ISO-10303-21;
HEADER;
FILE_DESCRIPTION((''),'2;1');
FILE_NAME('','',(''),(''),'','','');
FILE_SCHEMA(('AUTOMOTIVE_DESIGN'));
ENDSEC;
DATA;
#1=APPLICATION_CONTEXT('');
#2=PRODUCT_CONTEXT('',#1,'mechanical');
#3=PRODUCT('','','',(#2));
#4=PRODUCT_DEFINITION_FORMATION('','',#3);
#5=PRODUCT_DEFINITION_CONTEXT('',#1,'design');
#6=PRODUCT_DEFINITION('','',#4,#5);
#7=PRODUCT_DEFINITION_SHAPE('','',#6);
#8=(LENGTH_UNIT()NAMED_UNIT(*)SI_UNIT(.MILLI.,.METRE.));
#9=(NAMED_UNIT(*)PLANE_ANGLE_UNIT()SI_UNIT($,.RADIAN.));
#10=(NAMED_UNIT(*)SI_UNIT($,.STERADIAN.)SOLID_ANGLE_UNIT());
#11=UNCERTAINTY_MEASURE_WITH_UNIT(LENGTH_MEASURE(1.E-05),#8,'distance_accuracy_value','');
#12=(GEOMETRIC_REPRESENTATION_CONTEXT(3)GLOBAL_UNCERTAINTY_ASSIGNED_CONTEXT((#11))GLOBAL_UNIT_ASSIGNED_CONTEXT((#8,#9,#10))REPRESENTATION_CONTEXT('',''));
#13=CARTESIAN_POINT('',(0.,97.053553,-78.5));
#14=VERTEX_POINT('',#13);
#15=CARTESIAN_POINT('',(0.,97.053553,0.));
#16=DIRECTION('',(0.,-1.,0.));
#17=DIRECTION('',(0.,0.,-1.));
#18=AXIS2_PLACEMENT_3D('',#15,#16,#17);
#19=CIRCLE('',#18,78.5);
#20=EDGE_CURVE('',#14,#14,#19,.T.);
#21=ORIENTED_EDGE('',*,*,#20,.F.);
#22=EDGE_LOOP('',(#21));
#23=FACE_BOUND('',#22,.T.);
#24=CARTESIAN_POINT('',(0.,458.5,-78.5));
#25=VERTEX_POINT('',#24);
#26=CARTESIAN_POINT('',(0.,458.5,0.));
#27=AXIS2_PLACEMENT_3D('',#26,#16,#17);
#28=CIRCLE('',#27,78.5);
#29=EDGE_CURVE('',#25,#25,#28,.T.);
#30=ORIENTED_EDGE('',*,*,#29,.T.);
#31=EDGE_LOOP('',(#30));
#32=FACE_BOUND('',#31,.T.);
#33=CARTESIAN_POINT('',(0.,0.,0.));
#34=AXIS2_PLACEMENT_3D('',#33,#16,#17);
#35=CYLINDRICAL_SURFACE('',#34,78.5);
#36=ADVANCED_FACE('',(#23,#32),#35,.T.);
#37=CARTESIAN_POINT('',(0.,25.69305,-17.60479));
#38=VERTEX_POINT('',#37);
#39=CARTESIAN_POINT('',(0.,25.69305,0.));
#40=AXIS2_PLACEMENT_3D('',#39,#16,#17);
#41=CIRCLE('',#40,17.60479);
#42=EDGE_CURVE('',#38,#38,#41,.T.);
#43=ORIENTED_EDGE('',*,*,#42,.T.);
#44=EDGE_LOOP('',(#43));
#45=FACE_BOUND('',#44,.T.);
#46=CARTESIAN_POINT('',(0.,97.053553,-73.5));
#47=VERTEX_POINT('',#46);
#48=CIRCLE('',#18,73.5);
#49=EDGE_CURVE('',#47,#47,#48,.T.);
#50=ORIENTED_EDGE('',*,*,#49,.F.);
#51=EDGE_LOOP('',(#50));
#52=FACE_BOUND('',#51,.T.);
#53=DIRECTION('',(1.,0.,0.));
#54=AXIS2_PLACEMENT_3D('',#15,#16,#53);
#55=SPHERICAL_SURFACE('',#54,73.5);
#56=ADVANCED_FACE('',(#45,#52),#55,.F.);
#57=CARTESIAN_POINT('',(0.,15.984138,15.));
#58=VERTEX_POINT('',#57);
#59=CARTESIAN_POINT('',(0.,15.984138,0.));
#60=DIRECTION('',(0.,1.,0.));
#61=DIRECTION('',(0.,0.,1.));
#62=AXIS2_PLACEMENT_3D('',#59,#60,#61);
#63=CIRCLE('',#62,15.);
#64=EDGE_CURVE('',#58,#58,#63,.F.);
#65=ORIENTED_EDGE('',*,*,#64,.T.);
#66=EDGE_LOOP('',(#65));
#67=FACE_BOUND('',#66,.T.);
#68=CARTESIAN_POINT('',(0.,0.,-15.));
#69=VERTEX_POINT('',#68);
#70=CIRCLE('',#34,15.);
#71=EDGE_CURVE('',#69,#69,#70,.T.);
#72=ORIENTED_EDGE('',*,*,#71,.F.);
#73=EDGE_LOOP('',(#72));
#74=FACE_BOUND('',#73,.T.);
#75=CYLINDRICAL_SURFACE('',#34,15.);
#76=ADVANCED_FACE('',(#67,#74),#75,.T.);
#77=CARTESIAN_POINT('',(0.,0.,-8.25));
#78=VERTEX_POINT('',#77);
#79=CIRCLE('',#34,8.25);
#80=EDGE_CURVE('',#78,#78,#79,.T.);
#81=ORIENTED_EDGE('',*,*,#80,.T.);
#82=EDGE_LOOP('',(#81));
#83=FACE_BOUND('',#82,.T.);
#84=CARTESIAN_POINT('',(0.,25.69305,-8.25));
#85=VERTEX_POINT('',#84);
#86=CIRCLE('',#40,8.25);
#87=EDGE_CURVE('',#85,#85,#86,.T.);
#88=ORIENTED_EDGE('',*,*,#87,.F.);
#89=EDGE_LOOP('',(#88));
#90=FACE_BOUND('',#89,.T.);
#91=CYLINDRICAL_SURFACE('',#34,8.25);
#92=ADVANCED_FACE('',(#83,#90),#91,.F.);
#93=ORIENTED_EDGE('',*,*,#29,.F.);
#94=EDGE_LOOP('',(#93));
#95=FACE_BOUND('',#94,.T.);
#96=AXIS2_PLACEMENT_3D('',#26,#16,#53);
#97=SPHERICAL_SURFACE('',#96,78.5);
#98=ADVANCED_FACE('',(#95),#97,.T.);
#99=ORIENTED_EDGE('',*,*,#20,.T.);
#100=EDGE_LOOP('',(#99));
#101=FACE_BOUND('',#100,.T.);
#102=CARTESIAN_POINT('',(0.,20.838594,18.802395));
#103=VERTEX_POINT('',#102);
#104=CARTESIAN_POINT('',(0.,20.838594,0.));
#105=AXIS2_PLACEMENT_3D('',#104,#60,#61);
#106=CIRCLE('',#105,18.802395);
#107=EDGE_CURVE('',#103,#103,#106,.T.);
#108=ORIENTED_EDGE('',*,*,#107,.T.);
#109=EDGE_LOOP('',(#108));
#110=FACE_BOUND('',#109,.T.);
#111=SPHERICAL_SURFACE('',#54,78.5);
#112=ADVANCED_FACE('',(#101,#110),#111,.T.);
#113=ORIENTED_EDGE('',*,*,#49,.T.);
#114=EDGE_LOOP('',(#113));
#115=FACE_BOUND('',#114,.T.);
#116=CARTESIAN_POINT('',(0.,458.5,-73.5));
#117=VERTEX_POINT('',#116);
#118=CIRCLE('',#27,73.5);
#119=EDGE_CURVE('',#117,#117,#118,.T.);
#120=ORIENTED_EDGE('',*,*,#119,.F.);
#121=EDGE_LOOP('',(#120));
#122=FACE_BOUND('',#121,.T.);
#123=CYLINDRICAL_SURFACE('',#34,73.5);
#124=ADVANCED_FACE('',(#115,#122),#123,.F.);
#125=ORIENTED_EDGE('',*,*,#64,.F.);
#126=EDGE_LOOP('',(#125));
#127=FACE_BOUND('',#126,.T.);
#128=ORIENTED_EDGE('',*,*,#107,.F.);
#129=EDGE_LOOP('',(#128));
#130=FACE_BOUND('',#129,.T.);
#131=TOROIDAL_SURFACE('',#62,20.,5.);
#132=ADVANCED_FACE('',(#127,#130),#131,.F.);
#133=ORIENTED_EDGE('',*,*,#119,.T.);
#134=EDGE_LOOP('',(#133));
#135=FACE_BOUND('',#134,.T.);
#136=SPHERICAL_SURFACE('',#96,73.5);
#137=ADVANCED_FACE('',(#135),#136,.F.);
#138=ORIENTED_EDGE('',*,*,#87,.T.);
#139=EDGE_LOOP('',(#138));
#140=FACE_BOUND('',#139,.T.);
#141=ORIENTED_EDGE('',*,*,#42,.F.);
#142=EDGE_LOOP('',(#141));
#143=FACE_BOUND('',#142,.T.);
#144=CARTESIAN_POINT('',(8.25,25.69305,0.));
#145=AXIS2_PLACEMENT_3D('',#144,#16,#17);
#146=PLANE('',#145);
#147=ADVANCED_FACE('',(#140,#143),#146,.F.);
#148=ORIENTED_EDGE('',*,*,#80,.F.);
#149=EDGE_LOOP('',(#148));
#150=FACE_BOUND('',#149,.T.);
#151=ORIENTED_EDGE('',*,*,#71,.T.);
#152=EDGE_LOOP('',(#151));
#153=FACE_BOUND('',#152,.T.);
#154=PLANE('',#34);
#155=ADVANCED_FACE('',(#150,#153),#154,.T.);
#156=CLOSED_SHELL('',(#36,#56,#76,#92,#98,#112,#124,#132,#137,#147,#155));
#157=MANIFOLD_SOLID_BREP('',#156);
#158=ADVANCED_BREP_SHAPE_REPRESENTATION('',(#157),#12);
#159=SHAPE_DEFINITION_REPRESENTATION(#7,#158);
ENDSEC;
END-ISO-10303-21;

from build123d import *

# Parameters (mm, degrees)
M18X1_5_TAPPED_HOLE1_D     = 16.5
M18X1_5_TAPPED_HOLE1_DEPTH = 15.042899893
M18X1_5_TAPPED_HOLE1_TIP   = 4.957100107
FILLET1_R                  = 5


with BuildPart() as part:
    # Sketch1 → Revolve1 (revolve)
    with BuildSketch(Plane.XY, mode=Mode.PRIVATE) as revolve1_sk:
        with BuildLine():
            Line((0, 0), (15, 0))
            Line((15, 0), (15, 20))
            ThreePointArc((15, 20), (60.57949323, 47.129861035), (78.5, 97.053552806))
            Line((78.5, 97.053552806), (78.5, 458.5))
            ThreePointArc((78.5, 458.5), (55.507882323, 514.007882323), (0, 537))
            Line((0, 537), (0, 0))
        make_face()
    revolve(revolve1_sk.sketch.rotate(Axis((0, 0, 0), (0, 1, 0)), 90), axis=Axis((0, 0, 0), (0, 1, 0)))

    # M18x1.5 Tapped Hole1
    with Locations(Plane(origin=(0, 0, 0), x_dir=(-1, 0, 0), z_dir=(0, -1, 0))):
        with Locations((0, 0)):
            Hole(M18X1_5_TAPPED_HOLE1_D / 2, depth=M18X1_5_TAPPED_HOLE1_DEPTH)
            with Locations((0, 0, -(M18X1_5_TAPPED_HOLE1_DEPTH + M18X1_5_TAPPED_HOLE1_TIP / 2))):  # 118° drill point
                Cone(0, M18X1_5_TAPPED_HOLE1_D / 2, M18X1_5_TAPPED_HOLE1_TIP, mode=Mode.SUBTRACT)

    # Fillet1
    fillet1_edges = [part.edges().sort_by_distance(p)[0] for p in [
        (0, 20, 15),
    ]]
    fillet(fillet1_edges, radius=FILLET1_R)

    # Sketch4 → Cut-Revolve1 (revolve, cut)
    with BuildSketch(Plane.XY):
        with BuildLine():
            Line((8.25, 15.042899893), (8.25, 25.693050045))
            Line((8.25, 25.693050045), (17.604790419, 25.693050045))
            ThreePointArc((17.604790419, 25.693050045), (57.862777741, 51.730832763), (73.5, 97.053552806))
            Line((73.5, 97.053552806), (73.5, 458.5))
            ThreePointArc((73.5, 458.5), (51.972348417, 510.472348417), (0, 532))
            Line((0, 532), (0, 15.042899893))
            Line((0, 15.042899893), (8.25, 15.042899893))
        make_face()
    revolve(axis=Axis((0, 0, 0), (0, 1, 0)), mode=Mode.SUBTRACT)


solid = part.part
